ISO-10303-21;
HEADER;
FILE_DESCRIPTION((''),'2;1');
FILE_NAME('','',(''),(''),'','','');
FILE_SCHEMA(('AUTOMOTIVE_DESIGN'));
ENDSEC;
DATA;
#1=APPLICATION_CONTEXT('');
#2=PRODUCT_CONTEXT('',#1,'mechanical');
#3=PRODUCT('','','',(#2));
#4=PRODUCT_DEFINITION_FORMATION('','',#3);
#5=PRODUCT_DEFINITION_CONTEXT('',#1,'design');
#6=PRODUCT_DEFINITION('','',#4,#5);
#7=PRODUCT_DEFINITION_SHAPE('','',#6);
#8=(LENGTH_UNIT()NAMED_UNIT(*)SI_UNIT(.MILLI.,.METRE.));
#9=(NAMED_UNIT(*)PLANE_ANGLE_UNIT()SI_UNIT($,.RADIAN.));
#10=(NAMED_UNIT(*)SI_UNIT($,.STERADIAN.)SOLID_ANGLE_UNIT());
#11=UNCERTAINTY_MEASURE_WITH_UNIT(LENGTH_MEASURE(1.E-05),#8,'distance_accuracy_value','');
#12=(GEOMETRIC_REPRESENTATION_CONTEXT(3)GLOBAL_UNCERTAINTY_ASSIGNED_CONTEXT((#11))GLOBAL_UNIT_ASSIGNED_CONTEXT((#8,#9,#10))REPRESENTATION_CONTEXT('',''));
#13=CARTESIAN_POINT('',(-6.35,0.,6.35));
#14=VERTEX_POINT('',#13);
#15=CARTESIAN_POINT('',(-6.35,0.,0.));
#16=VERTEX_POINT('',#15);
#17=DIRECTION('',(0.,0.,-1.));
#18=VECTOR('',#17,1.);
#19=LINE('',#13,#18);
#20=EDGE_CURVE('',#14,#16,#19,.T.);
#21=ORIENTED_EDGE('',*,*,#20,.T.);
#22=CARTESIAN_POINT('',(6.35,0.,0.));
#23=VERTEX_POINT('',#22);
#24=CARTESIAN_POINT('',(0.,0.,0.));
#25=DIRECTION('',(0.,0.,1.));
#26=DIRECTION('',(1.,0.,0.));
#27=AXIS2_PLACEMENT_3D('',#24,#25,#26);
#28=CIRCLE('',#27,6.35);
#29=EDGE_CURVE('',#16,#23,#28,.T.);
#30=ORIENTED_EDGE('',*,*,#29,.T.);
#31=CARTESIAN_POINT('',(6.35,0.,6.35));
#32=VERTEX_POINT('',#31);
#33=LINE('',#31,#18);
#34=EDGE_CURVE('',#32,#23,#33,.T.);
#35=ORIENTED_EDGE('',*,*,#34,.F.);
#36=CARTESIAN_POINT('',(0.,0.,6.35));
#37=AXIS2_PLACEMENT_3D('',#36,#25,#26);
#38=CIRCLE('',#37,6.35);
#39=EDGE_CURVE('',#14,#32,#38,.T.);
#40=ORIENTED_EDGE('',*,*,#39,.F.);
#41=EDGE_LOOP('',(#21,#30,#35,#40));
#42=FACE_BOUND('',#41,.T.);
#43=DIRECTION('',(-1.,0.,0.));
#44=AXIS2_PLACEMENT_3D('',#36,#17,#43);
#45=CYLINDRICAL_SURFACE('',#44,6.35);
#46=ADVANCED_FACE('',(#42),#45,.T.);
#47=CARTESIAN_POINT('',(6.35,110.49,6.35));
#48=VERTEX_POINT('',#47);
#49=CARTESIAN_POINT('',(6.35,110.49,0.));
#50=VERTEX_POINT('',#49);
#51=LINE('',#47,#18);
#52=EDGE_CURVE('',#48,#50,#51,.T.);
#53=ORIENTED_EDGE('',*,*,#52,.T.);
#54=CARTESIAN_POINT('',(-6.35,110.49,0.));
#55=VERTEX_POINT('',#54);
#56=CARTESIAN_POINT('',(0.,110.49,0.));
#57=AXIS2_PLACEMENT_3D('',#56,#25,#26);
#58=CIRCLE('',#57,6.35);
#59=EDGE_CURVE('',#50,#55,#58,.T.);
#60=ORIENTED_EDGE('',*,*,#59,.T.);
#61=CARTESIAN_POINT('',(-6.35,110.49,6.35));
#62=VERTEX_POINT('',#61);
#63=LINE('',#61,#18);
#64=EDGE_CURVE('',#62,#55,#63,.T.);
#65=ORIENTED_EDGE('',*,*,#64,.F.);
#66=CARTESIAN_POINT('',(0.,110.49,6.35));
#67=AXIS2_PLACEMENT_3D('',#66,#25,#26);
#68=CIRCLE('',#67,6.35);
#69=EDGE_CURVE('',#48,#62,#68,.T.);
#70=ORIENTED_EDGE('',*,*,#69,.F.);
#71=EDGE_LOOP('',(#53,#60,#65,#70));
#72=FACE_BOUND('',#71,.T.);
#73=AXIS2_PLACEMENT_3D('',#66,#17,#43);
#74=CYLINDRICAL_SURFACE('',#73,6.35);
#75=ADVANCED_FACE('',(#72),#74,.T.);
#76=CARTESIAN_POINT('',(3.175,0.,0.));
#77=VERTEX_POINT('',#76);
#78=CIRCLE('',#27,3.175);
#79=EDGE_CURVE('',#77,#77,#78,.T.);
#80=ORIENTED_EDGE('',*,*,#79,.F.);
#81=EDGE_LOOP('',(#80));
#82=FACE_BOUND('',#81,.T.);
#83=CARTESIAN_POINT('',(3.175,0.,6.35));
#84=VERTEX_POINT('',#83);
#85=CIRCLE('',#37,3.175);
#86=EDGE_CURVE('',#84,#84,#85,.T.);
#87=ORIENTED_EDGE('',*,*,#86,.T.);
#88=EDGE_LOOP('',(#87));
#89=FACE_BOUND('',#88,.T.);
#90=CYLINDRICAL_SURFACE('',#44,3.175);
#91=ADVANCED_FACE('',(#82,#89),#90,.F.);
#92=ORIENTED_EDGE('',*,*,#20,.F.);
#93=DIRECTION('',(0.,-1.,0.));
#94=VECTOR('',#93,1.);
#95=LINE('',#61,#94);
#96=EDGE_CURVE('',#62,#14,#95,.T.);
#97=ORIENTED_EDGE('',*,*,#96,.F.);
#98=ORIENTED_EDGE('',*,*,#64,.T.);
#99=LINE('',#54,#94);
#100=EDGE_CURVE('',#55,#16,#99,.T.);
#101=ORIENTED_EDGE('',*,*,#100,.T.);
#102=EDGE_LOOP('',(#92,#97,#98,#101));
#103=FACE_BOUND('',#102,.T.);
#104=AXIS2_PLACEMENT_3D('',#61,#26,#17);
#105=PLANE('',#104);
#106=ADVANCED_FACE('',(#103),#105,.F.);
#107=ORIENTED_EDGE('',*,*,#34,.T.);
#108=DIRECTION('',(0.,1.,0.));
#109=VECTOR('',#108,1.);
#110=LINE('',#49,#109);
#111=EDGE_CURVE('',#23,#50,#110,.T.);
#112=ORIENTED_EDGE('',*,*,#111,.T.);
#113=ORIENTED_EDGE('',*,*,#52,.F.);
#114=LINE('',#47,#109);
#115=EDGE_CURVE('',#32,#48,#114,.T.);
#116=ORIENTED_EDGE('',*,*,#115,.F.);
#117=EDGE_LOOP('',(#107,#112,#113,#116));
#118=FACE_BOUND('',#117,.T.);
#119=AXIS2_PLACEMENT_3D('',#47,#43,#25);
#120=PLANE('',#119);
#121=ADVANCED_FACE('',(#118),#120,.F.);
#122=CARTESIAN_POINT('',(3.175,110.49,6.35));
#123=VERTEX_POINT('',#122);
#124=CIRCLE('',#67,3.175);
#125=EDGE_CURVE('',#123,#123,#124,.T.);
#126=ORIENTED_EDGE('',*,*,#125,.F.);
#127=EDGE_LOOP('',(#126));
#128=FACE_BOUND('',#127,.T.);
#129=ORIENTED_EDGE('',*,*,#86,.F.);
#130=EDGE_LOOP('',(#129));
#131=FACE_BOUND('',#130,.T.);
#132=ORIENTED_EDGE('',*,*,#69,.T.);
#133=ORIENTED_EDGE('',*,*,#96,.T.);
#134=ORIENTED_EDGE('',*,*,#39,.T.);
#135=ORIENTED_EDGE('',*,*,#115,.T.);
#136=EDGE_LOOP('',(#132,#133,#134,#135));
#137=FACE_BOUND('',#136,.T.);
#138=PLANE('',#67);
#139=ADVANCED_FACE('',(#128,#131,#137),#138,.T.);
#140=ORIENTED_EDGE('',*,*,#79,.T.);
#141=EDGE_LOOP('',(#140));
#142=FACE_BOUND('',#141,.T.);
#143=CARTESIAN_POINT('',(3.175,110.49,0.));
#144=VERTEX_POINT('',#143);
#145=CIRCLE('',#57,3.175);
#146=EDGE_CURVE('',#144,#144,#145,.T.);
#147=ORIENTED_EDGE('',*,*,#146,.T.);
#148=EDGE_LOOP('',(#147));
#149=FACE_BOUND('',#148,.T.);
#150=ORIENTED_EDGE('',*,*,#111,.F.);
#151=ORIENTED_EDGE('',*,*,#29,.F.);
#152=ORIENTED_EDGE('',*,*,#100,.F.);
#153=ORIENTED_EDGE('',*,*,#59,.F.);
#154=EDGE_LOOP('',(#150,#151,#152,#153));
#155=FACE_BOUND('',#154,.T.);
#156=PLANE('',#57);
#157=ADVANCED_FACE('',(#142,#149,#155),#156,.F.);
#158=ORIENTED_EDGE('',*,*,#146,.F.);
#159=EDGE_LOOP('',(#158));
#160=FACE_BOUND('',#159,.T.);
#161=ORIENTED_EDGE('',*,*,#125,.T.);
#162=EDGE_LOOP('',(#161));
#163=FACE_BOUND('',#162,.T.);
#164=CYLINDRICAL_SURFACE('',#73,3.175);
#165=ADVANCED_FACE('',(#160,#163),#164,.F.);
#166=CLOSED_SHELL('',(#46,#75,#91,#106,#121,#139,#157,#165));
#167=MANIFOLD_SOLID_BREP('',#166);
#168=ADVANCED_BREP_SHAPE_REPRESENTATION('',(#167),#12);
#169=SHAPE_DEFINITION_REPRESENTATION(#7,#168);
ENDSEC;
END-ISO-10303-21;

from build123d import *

# Parameters (mm, degrees)
SKETCH1_R           = 3.175
BOSS_EXTRUDE1_DEPTH = 6.35


with BuildPart() as part:
    # Sketch1 → Boss-Extrude1 (new body)
    with BuildSketch(Plane.XY):
        with BuildLine():
            Line((-6.35, 110.49), (-6.35, 0))
            ThreePointArc((-6.35, 0), (0, -6.35), (6.35, 0))
            Line((6.35, 0), (6.35, 110.49))
            ThreePointArc((6.35, 110.49), (0, 116.84), (-6.35, 110.49))
        make_face()
        with Locations((0, 110.49)):
            Circle(SKETCH1_R, mode=Mode.SUBTRACT)
        Circle(SKETCH1_R, mode=Mode.SUBTRACT)
    extrude(amount=BOSS_EXTRUDE1_DEPTH)


solid = part.part
